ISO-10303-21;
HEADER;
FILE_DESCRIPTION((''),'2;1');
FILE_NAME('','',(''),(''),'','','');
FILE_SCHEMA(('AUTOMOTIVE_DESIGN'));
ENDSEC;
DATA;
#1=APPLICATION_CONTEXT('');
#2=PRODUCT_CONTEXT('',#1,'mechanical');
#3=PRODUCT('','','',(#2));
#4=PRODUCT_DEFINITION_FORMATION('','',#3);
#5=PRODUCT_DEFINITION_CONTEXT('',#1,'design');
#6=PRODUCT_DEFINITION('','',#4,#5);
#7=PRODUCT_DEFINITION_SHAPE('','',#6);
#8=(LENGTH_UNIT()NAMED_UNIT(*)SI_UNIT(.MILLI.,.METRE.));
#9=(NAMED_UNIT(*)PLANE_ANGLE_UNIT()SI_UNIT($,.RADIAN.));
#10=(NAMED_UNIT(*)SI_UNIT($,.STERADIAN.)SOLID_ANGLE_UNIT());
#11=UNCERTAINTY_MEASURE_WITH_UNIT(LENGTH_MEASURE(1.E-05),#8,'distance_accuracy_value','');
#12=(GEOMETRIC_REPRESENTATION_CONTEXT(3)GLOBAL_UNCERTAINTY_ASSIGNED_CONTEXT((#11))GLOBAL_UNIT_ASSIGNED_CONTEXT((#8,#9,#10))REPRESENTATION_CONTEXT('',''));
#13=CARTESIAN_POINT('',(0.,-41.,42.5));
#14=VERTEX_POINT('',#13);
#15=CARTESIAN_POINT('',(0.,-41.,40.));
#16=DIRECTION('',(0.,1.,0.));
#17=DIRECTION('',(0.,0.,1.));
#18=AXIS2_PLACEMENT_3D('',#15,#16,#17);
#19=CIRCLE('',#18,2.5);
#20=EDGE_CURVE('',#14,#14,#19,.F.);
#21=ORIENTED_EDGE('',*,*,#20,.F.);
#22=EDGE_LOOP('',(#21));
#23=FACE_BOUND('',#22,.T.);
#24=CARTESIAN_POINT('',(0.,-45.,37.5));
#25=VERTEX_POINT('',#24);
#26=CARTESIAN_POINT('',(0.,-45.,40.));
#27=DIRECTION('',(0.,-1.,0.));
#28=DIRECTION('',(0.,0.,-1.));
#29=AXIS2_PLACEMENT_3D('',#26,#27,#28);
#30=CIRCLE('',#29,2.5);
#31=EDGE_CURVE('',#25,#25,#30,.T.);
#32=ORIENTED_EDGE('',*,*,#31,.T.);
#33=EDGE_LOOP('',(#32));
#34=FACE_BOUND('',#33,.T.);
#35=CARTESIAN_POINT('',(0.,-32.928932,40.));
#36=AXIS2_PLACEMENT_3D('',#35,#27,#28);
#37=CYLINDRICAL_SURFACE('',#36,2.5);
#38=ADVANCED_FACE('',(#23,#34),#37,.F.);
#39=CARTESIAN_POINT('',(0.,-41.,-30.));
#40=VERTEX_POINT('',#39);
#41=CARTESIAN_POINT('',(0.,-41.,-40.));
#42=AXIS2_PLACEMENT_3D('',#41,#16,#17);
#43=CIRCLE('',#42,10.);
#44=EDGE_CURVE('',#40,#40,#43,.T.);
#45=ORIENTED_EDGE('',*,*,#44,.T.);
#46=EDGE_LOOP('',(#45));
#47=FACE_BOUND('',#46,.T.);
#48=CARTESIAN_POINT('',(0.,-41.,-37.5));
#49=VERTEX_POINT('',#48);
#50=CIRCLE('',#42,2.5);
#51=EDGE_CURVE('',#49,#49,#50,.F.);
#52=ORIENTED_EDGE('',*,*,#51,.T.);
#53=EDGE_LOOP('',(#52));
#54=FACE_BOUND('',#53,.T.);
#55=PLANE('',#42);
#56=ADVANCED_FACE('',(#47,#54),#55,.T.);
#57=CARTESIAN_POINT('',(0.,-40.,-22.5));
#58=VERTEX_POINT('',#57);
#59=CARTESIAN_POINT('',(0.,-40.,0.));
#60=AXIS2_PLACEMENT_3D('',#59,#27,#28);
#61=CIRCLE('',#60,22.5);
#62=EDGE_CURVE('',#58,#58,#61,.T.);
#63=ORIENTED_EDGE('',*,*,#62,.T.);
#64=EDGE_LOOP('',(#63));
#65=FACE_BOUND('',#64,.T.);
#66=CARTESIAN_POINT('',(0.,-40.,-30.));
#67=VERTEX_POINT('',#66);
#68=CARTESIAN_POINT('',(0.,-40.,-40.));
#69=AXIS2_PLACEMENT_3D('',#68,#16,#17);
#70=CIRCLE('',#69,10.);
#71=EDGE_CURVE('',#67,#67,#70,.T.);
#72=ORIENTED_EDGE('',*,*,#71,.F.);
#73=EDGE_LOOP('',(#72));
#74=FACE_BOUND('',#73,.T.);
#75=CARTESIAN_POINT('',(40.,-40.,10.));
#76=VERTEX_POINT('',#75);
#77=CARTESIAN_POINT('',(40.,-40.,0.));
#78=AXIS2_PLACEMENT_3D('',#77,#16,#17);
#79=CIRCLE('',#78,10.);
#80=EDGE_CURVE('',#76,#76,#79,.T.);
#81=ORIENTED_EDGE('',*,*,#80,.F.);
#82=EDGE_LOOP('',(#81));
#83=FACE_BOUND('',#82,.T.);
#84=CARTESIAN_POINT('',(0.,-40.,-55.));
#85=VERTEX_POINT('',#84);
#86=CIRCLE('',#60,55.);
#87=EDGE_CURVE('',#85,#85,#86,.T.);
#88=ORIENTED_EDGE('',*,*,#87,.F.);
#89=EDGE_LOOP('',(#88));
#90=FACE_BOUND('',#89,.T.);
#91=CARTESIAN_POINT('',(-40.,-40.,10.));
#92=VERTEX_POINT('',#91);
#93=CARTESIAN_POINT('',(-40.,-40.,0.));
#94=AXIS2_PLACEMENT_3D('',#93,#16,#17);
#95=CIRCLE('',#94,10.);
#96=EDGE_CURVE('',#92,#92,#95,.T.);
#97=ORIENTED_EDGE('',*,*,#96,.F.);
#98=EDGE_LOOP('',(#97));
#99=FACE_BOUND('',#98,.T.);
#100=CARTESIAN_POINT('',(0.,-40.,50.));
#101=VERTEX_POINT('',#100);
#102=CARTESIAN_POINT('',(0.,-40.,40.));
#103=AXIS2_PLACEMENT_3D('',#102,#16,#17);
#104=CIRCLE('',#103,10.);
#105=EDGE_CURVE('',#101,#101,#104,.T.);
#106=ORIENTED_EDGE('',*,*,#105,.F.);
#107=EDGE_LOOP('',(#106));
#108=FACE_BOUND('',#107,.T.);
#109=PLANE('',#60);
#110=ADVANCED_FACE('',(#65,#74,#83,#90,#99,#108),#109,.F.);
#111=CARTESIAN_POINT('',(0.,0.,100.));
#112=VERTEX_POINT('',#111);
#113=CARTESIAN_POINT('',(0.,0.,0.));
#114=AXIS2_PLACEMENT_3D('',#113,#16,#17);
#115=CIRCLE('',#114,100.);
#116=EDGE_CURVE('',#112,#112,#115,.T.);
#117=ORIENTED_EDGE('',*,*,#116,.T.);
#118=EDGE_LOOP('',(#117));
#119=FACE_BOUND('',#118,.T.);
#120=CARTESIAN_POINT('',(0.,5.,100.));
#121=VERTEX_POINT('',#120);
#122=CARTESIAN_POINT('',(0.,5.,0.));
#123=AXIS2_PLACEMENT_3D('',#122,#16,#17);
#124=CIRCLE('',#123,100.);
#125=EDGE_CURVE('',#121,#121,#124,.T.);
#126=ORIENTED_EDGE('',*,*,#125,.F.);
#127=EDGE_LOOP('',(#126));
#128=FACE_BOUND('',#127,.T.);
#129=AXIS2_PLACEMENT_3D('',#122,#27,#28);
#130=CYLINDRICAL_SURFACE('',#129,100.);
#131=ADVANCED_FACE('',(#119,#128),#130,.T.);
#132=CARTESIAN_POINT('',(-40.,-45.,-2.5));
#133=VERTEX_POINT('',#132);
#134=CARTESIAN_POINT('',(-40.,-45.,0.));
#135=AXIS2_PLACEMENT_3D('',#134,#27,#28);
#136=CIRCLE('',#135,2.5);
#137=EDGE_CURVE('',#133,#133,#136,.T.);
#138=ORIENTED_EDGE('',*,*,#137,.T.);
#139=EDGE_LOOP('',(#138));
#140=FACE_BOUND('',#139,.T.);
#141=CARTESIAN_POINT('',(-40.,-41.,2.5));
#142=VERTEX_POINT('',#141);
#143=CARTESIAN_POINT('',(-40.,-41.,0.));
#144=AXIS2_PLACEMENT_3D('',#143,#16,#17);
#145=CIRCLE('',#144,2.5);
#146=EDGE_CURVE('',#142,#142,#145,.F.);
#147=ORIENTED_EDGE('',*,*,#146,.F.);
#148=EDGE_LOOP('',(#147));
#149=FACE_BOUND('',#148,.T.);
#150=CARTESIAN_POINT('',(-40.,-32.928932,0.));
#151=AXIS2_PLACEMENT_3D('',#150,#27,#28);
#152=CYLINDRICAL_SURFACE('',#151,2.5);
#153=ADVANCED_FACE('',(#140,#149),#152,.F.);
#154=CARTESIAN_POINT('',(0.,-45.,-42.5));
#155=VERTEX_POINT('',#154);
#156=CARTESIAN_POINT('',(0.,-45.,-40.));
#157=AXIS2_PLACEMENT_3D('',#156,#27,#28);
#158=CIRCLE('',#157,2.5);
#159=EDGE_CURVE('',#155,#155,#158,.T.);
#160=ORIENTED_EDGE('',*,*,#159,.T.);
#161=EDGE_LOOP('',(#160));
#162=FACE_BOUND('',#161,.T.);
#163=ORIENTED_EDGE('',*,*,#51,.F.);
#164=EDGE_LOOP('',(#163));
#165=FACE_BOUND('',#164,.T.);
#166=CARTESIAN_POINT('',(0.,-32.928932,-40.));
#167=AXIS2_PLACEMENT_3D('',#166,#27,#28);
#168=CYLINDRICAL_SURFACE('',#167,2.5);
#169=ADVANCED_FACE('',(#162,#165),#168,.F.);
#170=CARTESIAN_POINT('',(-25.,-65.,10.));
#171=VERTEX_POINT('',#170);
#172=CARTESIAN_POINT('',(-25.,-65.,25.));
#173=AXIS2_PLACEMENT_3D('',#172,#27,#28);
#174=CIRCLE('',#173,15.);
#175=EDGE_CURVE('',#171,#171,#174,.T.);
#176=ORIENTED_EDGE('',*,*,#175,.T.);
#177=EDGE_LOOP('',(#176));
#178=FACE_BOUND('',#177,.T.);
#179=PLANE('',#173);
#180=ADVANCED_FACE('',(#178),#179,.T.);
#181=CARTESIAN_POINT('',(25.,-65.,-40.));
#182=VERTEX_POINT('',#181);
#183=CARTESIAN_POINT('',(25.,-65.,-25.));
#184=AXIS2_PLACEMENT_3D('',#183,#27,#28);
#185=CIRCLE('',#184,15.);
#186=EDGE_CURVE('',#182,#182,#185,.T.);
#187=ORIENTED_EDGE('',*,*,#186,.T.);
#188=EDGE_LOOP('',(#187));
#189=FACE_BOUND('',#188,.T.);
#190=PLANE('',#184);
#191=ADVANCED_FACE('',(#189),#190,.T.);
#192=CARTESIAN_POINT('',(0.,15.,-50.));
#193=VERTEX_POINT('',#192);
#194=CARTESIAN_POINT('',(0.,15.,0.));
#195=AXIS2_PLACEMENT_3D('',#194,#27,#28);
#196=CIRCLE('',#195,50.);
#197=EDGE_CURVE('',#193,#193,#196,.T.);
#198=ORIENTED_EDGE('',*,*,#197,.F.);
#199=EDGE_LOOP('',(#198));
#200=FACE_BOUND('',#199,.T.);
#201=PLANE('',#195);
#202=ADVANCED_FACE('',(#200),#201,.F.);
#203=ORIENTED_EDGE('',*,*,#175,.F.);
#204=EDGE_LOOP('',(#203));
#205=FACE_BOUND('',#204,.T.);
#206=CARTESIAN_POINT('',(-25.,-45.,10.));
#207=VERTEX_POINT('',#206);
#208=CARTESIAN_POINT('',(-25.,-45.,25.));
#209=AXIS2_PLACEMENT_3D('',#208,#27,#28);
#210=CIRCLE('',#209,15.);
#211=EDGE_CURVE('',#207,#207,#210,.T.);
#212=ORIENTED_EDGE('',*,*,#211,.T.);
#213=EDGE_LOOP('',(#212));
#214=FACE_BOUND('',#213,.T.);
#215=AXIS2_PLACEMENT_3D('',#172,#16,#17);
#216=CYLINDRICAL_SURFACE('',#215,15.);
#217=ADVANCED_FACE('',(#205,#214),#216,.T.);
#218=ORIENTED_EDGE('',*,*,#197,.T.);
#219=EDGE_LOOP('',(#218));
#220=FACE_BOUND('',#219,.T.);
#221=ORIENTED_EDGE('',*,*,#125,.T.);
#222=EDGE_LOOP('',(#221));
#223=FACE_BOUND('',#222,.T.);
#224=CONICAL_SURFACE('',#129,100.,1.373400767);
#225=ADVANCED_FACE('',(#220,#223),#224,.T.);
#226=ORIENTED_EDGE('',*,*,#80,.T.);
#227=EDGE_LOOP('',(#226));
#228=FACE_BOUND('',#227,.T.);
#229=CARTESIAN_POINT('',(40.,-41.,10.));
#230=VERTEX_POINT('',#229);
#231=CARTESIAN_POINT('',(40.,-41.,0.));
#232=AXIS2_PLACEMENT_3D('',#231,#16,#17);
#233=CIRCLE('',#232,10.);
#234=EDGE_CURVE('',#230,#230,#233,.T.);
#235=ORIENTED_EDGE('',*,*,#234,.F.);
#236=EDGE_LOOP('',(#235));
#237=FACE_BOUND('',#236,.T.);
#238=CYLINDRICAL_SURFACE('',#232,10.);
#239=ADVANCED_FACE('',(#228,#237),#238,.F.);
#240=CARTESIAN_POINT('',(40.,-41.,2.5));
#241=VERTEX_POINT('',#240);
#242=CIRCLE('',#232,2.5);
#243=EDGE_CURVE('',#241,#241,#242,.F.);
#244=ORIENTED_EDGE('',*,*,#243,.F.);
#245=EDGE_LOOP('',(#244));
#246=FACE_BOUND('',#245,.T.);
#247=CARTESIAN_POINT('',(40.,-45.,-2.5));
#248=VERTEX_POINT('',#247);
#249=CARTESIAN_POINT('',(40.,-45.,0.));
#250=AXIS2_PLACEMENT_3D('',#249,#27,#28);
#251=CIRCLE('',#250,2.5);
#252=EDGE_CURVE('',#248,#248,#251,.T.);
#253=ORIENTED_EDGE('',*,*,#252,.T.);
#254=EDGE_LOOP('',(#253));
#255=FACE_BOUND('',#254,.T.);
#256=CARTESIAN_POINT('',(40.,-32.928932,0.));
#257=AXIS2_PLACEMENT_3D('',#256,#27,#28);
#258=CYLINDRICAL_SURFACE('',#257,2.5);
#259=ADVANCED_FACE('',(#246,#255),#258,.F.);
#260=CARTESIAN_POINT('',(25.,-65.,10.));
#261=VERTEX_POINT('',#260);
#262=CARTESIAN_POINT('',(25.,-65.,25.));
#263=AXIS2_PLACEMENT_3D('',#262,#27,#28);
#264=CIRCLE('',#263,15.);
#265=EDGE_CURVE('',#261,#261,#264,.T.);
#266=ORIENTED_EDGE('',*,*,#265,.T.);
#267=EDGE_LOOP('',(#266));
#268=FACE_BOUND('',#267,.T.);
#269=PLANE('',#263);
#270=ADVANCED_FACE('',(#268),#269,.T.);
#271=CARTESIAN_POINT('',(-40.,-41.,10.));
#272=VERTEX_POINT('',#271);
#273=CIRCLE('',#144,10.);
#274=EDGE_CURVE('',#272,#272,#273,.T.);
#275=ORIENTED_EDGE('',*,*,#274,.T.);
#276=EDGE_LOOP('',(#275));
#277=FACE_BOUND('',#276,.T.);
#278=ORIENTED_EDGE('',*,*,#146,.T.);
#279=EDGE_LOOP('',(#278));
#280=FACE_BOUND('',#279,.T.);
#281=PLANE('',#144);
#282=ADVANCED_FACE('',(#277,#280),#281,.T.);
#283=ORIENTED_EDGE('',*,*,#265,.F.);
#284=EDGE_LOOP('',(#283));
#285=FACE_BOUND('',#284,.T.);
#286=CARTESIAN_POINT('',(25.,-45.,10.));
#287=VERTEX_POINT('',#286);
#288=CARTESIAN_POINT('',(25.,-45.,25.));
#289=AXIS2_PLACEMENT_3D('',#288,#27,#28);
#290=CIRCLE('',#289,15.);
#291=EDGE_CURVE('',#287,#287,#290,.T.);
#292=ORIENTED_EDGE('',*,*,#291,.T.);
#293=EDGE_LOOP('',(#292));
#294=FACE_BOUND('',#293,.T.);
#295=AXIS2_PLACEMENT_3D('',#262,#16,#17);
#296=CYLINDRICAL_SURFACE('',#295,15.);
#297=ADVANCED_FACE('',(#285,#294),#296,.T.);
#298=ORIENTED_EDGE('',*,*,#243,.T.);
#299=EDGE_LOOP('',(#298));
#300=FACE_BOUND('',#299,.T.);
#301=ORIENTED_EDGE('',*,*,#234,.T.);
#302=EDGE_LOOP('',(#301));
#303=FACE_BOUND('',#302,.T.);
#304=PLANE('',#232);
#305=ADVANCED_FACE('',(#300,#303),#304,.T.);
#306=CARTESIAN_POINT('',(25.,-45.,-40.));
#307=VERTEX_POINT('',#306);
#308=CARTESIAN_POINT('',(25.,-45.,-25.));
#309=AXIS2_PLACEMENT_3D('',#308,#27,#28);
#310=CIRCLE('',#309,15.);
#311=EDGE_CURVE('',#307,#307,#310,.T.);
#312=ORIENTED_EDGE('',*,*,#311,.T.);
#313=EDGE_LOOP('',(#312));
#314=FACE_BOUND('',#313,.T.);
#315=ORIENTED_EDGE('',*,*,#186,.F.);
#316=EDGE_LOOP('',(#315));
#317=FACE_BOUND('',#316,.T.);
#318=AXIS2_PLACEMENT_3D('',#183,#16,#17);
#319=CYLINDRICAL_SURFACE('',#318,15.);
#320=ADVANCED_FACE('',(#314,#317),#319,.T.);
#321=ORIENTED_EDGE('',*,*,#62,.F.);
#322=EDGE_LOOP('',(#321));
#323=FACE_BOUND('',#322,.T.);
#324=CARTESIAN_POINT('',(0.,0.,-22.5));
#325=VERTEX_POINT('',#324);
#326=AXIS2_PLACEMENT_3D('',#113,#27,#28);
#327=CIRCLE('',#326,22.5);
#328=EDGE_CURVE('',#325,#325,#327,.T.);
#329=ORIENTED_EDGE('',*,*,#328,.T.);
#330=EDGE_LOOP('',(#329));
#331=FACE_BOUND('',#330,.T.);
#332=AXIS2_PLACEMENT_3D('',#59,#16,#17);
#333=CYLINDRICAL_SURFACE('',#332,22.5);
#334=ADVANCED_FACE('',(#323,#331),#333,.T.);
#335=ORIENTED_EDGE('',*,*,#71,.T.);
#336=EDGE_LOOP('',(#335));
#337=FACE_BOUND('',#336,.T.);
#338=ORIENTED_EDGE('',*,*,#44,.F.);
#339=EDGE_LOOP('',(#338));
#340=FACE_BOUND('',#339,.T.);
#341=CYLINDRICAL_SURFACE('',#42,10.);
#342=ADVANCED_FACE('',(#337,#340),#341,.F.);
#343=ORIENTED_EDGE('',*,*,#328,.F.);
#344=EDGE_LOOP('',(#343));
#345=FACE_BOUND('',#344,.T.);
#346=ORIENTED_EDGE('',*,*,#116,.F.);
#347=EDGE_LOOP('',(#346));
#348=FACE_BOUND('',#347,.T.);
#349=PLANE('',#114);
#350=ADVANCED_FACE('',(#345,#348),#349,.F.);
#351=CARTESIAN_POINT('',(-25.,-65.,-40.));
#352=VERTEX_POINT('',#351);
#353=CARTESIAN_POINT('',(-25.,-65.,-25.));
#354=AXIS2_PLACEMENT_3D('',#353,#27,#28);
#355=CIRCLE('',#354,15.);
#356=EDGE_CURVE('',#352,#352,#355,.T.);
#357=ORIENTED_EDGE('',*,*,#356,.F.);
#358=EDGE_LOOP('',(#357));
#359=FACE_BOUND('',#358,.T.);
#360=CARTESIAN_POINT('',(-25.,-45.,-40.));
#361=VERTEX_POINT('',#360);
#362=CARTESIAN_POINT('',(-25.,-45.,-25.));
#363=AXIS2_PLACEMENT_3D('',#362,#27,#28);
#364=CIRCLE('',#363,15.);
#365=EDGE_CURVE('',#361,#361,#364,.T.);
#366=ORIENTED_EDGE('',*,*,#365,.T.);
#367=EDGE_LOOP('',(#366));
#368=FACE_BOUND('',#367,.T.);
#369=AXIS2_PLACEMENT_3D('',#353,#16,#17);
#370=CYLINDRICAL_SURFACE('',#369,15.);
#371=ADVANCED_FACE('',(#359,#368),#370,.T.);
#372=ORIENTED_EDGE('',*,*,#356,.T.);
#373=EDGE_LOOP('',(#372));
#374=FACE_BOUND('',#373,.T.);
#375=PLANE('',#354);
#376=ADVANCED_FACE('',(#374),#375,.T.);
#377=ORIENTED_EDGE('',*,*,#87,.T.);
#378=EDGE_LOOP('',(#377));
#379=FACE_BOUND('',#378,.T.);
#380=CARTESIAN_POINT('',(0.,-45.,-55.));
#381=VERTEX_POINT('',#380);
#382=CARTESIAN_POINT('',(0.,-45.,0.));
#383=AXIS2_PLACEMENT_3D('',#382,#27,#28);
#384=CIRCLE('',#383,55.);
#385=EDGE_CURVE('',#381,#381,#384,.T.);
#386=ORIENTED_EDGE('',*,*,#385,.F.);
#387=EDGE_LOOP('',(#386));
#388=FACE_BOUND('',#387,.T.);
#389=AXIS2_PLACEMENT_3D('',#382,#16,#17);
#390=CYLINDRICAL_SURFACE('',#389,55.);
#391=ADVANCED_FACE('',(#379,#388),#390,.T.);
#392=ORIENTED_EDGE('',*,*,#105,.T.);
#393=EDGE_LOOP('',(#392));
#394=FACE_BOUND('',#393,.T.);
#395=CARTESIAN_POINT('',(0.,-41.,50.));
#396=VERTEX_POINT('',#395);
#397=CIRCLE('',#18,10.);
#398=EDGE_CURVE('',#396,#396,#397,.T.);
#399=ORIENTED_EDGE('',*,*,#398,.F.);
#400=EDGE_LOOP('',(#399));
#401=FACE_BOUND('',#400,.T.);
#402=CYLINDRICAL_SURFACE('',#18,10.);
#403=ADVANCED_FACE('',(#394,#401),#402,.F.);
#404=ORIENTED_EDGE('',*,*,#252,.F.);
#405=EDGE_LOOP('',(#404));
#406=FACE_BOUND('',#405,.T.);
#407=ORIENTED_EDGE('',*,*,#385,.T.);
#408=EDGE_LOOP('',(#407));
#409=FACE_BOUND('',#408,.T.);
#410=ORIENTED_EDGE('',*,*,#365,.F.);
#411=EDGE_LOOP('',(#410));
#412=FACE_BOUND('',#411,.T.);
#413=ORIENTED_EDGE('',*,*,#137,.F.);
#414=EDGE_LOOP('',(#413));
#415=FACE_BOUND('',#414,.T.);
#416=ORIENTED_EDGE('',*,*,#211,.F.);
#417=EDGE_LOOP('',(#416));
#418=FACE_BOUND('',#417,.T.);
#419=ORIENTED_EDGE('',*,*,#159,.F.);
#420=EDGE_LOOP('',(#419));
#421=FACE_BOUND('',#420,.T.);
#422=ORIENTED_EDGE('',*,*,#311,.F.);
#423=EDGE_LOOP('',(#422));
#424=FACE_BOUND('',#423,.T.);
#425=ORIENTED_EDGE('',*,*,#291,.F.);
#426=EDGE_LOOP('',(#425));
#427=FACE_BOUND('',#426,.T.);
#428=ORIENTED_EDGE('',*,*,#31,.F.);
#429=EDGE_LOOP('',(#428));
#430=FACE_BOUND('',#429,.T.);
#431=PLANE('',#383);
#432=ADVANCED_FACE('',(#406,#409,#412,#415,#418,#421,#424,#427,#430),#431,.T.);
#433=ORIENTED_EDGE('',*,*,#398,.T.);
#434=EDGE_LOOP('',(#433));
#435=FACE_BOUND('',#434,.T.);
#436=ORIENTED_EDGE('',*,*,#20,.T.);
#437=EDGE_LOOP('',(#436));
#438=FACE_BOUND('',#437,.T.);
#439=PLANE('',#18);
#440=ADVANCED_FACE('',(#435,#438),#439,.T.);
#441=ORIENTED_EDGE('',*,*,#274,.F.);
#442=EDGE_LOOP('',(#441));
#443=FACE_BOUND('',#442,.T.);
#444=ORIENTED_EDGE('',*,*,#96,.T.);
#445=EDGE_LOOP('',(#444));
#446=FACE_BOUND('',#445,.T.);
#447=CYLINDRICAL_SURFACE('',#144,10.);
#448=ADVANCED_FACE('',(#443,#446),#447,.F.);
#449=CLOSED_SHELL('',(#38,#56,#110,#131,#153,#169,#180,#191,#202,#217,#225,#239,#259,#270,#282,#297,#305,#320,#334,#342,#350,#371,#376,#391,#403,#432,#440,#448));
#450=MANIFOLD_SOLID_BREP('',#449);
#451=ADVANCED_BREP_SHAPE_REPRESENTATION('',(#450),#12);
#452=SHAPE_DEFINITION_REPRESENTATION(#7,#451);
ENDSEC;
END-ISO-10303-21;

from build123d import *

# Parameters (mm, degrees)
SKETCH1_R           = 100
BOSS_EXTRUDE1_DEPTH = 5
SKETCH2_R           = 50
BOSS_EXTRUDE2_DEPTH = 5
SKETCH3_R           = 10
SKETCH3_R_2         = 5
BOSS_EXTRUDE3_DEPTH = 5
SKETCH5_R           = 22.5
BOSS_EXTRUDE4_DEPTH = 40
SKETCH6_R           = 55
BOSS_EXTRUDE5_DEPTH = 5
SKETCH7_R           = 15
BOSS_EXTRUDE6_DEPTH = 20
SKETCH9_R           = 2.5
CUT_EXTRUDE2_DEPTH  = 5
SKETCH11_R          = 10
CUT_EXTRUDE3_DEPTH  = 1


with BuildPart() as part:
    # Sketch1 → Boss-Extrude1 (new body)
    with BuildSketch(Plane(origin=(0, 0, 0), x_dir=(1, 0, 0), z_dir=(0, 1, 0))):
        with Locations(Location((0, 0, 0), (0, 0, 270))):
            Circle(SKETCH1_R)
    extrude(amount=BOSS_EXTRUDE1_DEPTH)



with BuildPart() as body_2:
    # Sketch2 → Boss-Extrude2 (new body)
    with BuildSketch(Plane(origin=(0, 15, 0), x_dir=(-1, 0, 0), z_dir=(0, -1, 0))):
        with Locations(Location((0, 0, 0), (0, 0, 90))):
            Circle(SKETCH2_R)
    extrude(amount=BOSS_EXTRUDE2_DEPTH)


with BuildPart() as part_1:
    add(part.part)

    add(body_2.part)  # Boss-Extrude3 merges body 2
    # Sketch3 → Boss-Extrude3 (add)
    with BuildSketch(Plane(origin=(0, 5, 0), x_dir=(1, 0, 0), z_dir=(0, 1, 0))):
        with Locations(Location((0, 0, 0), (0, 0, 90))):
            Circle(SKETCH3_R)
        with Locations(Location((0, 0, 0), (0, 0, 90))):
            Circle(SKETCH3_R_2, mode=Mode.SUBTRACT)
    extrude(amount=BOSS_EXTRUDE3_DEPTH)

    # Sketch4 → Revolve1 (revolve)
    with BuildSketch(Plane.XY, mode=Mode.PRIVATE) as revolve1_sk:
        Polygon((50, 15), (100, 5), (0, 5), (0, 10), (50, 10), align=None)
    revolve(revolve1_sk.sketch.rotate(Axis((0, 54.07219912, 0), (0, -1, 0)), 270), axis=Axis((0, 54.07219912, 0), (0, -1, 0)))

    # Sketch5 → Boss-Extrude4 (add)
    with BuildSketch(Plane.XZ):
        with Locations(Location((0, 0, 0), (0, 0, 270))):
            Circle(SKETCH5_R)
    extrude(amount=BOSS_EXTRUDE4_DEPTH)

    # Sketch6 → Boss-Extrude5 (add)
    with BuildSketch(Plane.XZ.offset(40)):
        with Locations(Location((0, 0, 0), (0, 0, 270))):
            Circle(SKETCH6_R)
    extrude(amount=BOSS_EXTRUDE5_DEPTH)

    # Sketch7 → Boss-Extrude6 (add)
    with BuildSketch(Plane.XZ.offset(45)):
        with Locations(Location((-25, -25, 0), (0, 0, 270))):
            Circle(SKETCH7_R)
        with Locations(Location((25, -25, 0), (0, 0, 270))):
            Circle(SKETCH7_R)
        with Locations(Location((25, 25, 0), (0, 0, 270))):
            Circle(SKETCH7_R)
        with Locations(Location((-25, 25, 0), (0, 0, 270))):
            Circle(SKETCH7_R)
    extrude(amount=BOSS_EXTRUDE6_DEPTH)

    # Sketch9 → Cut-Extrude2 (cut)
    with BuildSketch(Plane.XZ.offset(45)):
        with Locations(Location((0, 40, 0), (0, 0, 270))):
            Circle(SKETCH9_R)
        with Locations(Location((40, 0, 0), (0, 0, 270))):
            Circle(SKETCH9_R)
        with Locations(Location((0, -40, 0), (0, 0, 270))):
            Circle(SKETCH9_R)
        with Locations(Location((-40, 0, 0), (0, 0, 270))):
            Circle(SKETCH9_R)
    extrude(amount=-CUT_EXTRUDE2_DEPTH, mode=Mode.SUBTRACT)

    # Sketch11 → Cut-Extrude3 (cut)
    with BuildSketch(Plane(origin=(0, -40, 0), x_dir=(1, 0, 0), z_dir=(0, 1, 0))):
        with Locations(Location((0, 40, 0), (0, 0, 270))):
            Circle(SKETCH11_R)
        with Locations(Location((40, 0, 0), (0, 0, 270))):
            Circle(SKETCH11_R)
        with Locations(Location((0, -40, 0), (0, 0, 270))):
            Circle(SKETCH11_R)
        with Locations(Location((-40, 0, 0), (0, 0, 270))):
            Circle(SKETCH11_R)
    extrude(amount=-CUT_EXTRUDE3_DEPTH, mode=Mode.SUBTRACT)


solid = part_1.part
